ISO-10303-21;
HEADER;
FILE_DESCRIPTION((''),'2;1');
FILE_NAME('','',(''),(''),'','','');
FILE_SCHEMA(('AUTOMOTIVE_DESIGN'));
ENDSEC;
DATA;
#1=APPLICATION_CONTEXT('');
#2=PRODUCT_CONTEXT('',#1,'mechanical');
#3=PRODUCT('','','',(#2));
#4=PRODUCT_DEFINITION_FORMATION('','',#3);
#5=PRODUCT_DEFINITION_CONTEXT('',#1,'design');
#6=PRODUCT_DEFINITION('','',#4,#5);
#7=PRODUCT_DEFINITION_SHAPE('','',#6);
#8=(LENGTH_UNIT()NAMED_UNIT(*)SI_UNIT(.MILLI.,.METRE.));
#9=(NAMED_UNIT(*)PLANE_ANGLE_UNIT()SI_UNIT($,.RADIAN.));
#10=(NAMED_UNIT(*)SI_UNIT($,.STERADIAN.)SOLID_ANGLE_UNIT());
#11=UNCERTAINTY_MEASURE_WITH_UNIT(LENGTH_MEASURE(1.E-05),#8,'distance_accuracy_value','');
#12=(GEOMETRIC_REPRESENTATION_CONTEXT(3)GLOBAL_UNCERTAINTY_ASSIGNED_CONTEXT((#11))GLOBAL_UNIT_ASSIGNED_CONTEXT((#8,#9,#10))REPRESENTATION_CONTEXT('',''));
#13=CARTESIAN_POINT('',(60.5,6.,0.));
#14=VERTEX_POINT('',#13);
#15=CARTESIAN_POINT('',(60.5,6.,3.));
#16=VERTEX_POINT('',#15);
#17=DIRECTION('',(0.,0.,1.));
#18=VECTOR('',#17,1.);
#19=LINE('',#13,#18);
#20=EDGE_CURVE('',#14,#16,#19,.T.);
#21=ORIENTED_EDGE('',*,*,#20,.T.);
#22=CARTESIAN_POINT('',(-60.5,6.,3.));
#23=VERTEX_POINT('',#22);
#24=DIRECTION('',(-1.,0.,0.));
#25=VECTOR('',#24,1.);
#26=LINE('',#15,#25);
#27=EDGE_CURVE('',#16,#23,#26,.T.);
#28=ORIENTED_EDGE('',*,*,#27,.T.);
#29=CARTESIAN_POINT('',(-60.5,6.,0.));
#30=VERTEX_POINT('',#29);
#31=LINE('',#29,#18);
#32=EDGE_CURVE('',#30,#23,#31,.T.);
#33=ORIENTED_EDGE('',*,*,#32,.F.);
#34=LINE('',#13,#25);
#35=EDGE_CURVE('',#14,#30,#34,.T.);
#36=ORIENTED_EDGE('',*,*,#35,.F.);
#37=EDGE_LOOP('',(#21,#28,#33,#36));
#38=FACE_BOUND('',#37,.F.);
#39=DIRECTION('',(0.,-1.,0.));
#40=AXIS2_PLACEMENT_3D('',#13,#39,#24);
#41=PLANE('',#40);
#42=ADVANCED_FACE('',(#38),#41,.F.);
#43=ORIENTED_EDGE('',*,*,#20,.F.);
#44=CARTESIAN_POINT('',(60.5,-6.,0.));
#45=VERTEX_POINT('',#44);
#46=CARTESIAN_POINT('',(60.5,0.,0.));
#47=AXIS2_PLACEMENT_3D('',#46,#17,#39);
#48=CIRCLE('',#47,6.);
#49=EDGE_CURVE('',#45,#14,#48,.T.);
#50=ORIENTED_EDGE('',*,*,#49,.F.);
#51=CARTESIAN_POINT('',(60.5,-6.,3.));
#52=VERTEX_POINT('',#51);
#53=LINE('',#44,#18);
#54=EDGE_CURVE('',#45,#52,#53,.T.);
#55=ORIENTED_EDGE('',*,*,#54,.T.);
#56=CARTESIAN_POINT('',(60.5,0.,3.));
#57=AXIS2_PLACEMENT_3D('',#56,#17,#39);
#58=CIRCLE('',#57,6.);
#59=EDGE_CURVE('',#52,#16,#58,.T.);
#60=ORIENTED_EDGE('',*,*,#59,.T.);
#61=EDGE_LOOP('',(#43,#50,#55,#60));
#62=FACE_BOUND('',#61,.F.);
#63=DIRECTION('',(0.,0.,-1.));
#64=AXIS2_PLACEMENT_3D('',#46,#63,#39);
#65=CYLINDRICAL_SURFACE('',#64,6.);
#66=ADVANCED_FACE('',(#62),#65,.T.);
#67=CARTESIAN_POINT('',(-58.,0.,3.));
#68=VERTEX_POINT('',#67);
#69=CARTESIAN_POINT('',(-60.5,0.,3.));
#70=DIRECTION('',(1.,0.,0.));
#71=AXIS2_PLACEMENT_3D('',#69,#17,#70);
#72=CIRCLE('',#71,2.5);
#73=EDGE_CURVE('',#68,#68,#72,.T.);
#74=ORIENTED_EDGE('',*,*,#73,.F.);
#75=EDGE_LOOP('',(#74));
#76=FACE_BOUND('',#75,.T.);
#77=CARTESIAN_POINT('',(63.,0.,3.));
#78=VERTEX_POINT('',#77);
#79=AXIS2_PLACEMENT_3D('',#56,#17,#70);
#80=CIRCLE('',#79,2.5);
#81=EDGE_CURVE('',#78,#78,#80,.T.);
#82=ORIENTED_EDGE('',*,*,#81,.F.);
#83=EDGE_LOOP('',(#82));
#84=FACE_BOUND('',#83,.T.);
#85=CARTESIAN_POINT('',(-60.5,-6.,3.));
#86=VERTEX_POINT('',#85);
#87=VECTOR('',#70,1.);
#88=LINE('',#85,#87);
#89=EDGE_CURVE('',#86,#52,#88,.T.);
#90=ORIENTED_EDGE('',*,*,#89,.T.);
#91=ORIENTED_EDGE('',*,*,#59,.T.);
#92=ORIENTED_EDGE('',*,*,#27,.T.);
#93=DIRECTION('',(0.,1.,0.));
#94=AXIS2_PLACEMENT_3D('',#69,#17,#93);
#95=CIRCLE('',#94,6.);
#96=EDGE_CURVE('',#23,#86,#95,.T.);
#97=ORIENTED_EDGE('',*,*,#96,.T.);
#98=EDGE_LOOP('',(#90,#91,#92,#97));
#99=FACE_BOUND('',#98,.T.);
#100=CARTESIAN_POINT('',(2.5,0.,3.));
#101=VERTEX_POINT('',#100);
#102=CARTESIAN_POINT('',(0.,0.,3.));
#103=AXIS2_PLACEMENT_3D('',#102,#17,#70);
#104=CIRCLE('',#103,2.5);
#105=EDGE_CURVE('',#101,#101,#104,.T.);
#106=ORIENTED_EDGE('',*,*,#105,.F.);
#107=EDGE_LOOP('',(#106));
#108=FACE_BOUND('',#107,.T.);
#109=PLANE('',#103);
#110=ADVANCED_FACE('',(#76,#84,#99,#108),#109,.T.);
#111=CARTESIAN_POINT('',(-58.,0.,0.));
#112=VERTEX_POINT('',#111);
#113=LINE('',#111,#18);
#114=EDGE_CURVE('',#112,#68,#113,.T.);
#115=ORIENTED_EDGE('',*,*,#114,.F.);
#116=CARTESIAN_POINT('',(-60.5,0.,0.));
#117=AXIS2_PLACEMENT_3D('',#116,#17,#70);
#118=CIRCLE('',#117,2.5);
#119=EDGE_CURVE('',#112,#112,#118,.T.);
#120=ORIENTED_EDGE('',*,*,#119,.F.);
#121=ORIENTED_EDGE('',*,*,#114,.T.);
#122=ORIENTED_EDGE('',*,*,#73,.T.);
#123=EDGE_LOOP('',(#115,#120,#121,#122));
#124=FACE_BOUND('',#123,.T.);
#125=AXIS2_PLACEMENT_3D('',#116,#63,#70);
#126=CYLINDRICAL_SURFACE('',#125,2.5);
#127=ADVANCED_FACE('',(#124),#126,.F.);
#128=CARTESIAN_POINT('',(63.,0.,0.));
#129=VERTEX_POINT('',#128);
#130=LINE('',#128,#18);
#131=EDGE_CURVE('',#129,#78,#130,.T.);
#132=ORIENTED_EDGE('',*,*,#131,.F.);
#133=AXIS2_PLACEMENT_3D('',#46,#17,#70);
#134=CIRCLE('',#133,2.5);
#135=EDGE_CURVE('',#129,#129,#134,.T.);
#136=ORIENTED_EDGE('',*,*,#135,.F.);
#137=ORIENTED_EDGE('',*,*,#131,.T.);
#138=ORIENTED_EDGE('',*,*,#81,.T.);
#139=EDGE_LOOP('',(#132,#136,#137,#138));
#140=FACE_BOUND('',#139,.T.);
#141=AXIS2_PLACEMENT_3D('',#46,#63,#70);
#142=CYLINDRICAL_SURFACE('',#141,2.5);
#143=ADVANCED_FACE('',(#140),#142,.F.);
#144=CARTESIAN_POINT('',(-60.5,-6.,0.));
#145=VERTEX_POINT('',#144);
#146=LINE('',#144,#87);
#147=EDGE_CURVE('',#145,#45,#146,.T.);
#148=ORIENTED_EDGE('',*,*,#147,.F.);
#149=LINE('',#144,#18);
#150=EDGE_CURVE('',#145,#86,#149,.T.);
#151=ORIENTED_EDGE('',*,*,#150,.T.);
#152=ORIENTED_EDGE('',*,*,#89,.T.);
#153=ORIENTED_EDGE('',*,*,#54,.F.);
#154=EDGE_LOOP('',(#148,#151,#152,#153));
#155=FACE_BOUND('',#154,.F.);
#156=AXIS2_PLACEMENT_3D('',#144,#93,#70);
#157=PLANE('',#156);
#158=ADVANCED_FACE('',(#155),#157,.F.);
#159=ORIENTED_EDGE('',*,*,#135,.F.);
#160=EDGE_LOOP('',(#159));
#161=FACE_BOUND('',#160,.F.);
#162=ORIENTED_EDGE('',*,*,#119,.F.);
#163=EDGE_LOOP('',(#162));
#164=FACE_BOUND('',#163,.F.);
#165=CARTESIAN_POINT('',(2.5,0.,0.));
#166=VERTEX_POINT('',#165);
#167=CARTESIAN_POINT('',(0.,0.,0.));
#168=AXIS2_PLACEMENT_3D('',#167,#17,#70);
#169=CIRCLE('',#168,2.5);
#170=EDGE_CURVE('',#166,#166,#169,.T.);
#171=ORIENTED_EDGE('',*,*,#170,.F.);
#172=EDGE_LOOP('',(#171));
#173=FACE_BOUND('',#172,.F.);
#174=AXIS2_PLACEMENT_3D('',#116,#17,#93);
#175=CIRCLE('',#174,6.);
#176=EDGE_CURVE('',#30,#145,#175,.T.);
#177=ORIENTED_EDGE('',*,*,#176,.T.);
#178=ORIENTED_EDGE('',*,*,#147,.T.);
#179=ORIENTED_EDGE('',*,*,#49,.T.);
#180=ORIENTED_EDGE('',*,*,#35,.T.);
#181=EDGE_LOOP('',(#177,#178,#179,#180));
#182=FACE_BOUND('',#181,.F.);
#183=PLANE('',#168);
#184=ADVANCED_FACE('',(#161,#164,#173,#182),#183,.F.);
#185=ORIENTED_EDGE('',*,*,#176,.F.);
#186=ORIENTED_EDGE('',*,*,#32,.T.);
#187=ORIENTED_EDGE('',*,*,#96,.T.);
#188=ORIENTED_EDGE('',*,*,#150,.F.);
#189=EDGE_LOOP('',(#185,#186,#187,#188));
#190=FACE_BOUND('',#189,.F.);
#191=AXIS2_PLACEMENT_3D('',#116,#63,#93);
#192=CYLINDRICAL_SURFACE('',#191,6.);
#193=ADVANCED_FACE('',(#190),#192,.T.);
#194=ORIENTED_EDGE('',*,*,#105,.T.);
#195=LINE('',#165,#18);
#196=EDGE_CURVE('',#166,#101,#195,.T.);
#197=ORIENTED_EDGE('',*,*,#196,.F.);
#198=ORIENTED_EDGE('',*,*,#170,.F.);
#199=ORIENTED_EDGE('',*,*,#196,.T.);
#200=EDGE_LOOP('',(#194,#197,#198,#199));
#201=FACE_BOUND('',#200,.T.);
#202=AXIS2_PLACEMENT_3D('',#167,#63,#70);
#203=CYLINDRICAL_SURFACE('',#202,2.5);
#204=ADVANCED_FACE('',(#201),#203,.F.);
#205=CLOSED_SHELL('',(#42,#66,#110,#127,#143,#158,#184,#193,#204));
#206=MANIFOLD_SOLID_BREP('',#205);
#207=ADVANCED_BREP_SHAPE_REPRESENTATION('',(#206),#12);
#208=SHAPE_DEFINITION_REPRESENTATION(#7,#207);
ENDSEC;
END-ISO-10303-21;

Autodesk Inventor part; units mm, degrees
ref_plane "YZ Plane" through (0, 0, 0) normal (1, 0, 0) x (0, 1, 0)
ref_plane "XZ Plane" through (0, 0, 0) normal (0, 1, 0) x (-1, 0, 0)
ref_plane "XY Plane" through (0, 0, 0) normal (0, 0, 1) x (1, 0, 0)
sketch "草圖1" plane through (0, 0, 0) normal (0, 0, 1) x (1, 0, 0)
  line L0 (-60.5, 0) -> (60.5, 0) construction
  line L1 (-60.5, -6) -> (60.5, -6)
  line L2 (60.5, 6) -> (-60.5, 6)
  arc A0 (-60.5, 6) -> (-60.5, -6) centre (-60.5, 0) ccw
  arc A1 (60.5, -6) -> (60.5, 6) centre (60.5, 0) ccw
  circle A2 centre (-60.5, 0) radius 2.5
  circle A3 centre (0, 0) radius 2.5
  circle A4 centre (60.5, 0) radius 2.5
  dimension "d0" = 121
  dimension "d1" = 12
  dimension "d2" = 5
extrude "擠出1" add sketch "草圖1" along normal blind 3
sketch "草圖2" plane through (0, 0, 3) normal (0, 0, 1) x (1, 0, 0)
  arc A0 (60.5, -6) -> (60.5, 6) centre (60.5, 0) ccw projected
  line L0 (60.5, 6) -> (-60.5, 6) projected
  arc A1 (-60.5, 6) -> (-60.5, -6) centre (-60.5, 0) ccw projected
  line L1 (-60.5, -6) -> (60.5, -6) projected
  circle A2 centre (0, 0) radius 2.5 projected
  circle A3 centre (60.5, 0) radius 2.5 projected
  circle A4 centre (-60.5, 0) radius 2.5 projected
properties part number "連桿"
